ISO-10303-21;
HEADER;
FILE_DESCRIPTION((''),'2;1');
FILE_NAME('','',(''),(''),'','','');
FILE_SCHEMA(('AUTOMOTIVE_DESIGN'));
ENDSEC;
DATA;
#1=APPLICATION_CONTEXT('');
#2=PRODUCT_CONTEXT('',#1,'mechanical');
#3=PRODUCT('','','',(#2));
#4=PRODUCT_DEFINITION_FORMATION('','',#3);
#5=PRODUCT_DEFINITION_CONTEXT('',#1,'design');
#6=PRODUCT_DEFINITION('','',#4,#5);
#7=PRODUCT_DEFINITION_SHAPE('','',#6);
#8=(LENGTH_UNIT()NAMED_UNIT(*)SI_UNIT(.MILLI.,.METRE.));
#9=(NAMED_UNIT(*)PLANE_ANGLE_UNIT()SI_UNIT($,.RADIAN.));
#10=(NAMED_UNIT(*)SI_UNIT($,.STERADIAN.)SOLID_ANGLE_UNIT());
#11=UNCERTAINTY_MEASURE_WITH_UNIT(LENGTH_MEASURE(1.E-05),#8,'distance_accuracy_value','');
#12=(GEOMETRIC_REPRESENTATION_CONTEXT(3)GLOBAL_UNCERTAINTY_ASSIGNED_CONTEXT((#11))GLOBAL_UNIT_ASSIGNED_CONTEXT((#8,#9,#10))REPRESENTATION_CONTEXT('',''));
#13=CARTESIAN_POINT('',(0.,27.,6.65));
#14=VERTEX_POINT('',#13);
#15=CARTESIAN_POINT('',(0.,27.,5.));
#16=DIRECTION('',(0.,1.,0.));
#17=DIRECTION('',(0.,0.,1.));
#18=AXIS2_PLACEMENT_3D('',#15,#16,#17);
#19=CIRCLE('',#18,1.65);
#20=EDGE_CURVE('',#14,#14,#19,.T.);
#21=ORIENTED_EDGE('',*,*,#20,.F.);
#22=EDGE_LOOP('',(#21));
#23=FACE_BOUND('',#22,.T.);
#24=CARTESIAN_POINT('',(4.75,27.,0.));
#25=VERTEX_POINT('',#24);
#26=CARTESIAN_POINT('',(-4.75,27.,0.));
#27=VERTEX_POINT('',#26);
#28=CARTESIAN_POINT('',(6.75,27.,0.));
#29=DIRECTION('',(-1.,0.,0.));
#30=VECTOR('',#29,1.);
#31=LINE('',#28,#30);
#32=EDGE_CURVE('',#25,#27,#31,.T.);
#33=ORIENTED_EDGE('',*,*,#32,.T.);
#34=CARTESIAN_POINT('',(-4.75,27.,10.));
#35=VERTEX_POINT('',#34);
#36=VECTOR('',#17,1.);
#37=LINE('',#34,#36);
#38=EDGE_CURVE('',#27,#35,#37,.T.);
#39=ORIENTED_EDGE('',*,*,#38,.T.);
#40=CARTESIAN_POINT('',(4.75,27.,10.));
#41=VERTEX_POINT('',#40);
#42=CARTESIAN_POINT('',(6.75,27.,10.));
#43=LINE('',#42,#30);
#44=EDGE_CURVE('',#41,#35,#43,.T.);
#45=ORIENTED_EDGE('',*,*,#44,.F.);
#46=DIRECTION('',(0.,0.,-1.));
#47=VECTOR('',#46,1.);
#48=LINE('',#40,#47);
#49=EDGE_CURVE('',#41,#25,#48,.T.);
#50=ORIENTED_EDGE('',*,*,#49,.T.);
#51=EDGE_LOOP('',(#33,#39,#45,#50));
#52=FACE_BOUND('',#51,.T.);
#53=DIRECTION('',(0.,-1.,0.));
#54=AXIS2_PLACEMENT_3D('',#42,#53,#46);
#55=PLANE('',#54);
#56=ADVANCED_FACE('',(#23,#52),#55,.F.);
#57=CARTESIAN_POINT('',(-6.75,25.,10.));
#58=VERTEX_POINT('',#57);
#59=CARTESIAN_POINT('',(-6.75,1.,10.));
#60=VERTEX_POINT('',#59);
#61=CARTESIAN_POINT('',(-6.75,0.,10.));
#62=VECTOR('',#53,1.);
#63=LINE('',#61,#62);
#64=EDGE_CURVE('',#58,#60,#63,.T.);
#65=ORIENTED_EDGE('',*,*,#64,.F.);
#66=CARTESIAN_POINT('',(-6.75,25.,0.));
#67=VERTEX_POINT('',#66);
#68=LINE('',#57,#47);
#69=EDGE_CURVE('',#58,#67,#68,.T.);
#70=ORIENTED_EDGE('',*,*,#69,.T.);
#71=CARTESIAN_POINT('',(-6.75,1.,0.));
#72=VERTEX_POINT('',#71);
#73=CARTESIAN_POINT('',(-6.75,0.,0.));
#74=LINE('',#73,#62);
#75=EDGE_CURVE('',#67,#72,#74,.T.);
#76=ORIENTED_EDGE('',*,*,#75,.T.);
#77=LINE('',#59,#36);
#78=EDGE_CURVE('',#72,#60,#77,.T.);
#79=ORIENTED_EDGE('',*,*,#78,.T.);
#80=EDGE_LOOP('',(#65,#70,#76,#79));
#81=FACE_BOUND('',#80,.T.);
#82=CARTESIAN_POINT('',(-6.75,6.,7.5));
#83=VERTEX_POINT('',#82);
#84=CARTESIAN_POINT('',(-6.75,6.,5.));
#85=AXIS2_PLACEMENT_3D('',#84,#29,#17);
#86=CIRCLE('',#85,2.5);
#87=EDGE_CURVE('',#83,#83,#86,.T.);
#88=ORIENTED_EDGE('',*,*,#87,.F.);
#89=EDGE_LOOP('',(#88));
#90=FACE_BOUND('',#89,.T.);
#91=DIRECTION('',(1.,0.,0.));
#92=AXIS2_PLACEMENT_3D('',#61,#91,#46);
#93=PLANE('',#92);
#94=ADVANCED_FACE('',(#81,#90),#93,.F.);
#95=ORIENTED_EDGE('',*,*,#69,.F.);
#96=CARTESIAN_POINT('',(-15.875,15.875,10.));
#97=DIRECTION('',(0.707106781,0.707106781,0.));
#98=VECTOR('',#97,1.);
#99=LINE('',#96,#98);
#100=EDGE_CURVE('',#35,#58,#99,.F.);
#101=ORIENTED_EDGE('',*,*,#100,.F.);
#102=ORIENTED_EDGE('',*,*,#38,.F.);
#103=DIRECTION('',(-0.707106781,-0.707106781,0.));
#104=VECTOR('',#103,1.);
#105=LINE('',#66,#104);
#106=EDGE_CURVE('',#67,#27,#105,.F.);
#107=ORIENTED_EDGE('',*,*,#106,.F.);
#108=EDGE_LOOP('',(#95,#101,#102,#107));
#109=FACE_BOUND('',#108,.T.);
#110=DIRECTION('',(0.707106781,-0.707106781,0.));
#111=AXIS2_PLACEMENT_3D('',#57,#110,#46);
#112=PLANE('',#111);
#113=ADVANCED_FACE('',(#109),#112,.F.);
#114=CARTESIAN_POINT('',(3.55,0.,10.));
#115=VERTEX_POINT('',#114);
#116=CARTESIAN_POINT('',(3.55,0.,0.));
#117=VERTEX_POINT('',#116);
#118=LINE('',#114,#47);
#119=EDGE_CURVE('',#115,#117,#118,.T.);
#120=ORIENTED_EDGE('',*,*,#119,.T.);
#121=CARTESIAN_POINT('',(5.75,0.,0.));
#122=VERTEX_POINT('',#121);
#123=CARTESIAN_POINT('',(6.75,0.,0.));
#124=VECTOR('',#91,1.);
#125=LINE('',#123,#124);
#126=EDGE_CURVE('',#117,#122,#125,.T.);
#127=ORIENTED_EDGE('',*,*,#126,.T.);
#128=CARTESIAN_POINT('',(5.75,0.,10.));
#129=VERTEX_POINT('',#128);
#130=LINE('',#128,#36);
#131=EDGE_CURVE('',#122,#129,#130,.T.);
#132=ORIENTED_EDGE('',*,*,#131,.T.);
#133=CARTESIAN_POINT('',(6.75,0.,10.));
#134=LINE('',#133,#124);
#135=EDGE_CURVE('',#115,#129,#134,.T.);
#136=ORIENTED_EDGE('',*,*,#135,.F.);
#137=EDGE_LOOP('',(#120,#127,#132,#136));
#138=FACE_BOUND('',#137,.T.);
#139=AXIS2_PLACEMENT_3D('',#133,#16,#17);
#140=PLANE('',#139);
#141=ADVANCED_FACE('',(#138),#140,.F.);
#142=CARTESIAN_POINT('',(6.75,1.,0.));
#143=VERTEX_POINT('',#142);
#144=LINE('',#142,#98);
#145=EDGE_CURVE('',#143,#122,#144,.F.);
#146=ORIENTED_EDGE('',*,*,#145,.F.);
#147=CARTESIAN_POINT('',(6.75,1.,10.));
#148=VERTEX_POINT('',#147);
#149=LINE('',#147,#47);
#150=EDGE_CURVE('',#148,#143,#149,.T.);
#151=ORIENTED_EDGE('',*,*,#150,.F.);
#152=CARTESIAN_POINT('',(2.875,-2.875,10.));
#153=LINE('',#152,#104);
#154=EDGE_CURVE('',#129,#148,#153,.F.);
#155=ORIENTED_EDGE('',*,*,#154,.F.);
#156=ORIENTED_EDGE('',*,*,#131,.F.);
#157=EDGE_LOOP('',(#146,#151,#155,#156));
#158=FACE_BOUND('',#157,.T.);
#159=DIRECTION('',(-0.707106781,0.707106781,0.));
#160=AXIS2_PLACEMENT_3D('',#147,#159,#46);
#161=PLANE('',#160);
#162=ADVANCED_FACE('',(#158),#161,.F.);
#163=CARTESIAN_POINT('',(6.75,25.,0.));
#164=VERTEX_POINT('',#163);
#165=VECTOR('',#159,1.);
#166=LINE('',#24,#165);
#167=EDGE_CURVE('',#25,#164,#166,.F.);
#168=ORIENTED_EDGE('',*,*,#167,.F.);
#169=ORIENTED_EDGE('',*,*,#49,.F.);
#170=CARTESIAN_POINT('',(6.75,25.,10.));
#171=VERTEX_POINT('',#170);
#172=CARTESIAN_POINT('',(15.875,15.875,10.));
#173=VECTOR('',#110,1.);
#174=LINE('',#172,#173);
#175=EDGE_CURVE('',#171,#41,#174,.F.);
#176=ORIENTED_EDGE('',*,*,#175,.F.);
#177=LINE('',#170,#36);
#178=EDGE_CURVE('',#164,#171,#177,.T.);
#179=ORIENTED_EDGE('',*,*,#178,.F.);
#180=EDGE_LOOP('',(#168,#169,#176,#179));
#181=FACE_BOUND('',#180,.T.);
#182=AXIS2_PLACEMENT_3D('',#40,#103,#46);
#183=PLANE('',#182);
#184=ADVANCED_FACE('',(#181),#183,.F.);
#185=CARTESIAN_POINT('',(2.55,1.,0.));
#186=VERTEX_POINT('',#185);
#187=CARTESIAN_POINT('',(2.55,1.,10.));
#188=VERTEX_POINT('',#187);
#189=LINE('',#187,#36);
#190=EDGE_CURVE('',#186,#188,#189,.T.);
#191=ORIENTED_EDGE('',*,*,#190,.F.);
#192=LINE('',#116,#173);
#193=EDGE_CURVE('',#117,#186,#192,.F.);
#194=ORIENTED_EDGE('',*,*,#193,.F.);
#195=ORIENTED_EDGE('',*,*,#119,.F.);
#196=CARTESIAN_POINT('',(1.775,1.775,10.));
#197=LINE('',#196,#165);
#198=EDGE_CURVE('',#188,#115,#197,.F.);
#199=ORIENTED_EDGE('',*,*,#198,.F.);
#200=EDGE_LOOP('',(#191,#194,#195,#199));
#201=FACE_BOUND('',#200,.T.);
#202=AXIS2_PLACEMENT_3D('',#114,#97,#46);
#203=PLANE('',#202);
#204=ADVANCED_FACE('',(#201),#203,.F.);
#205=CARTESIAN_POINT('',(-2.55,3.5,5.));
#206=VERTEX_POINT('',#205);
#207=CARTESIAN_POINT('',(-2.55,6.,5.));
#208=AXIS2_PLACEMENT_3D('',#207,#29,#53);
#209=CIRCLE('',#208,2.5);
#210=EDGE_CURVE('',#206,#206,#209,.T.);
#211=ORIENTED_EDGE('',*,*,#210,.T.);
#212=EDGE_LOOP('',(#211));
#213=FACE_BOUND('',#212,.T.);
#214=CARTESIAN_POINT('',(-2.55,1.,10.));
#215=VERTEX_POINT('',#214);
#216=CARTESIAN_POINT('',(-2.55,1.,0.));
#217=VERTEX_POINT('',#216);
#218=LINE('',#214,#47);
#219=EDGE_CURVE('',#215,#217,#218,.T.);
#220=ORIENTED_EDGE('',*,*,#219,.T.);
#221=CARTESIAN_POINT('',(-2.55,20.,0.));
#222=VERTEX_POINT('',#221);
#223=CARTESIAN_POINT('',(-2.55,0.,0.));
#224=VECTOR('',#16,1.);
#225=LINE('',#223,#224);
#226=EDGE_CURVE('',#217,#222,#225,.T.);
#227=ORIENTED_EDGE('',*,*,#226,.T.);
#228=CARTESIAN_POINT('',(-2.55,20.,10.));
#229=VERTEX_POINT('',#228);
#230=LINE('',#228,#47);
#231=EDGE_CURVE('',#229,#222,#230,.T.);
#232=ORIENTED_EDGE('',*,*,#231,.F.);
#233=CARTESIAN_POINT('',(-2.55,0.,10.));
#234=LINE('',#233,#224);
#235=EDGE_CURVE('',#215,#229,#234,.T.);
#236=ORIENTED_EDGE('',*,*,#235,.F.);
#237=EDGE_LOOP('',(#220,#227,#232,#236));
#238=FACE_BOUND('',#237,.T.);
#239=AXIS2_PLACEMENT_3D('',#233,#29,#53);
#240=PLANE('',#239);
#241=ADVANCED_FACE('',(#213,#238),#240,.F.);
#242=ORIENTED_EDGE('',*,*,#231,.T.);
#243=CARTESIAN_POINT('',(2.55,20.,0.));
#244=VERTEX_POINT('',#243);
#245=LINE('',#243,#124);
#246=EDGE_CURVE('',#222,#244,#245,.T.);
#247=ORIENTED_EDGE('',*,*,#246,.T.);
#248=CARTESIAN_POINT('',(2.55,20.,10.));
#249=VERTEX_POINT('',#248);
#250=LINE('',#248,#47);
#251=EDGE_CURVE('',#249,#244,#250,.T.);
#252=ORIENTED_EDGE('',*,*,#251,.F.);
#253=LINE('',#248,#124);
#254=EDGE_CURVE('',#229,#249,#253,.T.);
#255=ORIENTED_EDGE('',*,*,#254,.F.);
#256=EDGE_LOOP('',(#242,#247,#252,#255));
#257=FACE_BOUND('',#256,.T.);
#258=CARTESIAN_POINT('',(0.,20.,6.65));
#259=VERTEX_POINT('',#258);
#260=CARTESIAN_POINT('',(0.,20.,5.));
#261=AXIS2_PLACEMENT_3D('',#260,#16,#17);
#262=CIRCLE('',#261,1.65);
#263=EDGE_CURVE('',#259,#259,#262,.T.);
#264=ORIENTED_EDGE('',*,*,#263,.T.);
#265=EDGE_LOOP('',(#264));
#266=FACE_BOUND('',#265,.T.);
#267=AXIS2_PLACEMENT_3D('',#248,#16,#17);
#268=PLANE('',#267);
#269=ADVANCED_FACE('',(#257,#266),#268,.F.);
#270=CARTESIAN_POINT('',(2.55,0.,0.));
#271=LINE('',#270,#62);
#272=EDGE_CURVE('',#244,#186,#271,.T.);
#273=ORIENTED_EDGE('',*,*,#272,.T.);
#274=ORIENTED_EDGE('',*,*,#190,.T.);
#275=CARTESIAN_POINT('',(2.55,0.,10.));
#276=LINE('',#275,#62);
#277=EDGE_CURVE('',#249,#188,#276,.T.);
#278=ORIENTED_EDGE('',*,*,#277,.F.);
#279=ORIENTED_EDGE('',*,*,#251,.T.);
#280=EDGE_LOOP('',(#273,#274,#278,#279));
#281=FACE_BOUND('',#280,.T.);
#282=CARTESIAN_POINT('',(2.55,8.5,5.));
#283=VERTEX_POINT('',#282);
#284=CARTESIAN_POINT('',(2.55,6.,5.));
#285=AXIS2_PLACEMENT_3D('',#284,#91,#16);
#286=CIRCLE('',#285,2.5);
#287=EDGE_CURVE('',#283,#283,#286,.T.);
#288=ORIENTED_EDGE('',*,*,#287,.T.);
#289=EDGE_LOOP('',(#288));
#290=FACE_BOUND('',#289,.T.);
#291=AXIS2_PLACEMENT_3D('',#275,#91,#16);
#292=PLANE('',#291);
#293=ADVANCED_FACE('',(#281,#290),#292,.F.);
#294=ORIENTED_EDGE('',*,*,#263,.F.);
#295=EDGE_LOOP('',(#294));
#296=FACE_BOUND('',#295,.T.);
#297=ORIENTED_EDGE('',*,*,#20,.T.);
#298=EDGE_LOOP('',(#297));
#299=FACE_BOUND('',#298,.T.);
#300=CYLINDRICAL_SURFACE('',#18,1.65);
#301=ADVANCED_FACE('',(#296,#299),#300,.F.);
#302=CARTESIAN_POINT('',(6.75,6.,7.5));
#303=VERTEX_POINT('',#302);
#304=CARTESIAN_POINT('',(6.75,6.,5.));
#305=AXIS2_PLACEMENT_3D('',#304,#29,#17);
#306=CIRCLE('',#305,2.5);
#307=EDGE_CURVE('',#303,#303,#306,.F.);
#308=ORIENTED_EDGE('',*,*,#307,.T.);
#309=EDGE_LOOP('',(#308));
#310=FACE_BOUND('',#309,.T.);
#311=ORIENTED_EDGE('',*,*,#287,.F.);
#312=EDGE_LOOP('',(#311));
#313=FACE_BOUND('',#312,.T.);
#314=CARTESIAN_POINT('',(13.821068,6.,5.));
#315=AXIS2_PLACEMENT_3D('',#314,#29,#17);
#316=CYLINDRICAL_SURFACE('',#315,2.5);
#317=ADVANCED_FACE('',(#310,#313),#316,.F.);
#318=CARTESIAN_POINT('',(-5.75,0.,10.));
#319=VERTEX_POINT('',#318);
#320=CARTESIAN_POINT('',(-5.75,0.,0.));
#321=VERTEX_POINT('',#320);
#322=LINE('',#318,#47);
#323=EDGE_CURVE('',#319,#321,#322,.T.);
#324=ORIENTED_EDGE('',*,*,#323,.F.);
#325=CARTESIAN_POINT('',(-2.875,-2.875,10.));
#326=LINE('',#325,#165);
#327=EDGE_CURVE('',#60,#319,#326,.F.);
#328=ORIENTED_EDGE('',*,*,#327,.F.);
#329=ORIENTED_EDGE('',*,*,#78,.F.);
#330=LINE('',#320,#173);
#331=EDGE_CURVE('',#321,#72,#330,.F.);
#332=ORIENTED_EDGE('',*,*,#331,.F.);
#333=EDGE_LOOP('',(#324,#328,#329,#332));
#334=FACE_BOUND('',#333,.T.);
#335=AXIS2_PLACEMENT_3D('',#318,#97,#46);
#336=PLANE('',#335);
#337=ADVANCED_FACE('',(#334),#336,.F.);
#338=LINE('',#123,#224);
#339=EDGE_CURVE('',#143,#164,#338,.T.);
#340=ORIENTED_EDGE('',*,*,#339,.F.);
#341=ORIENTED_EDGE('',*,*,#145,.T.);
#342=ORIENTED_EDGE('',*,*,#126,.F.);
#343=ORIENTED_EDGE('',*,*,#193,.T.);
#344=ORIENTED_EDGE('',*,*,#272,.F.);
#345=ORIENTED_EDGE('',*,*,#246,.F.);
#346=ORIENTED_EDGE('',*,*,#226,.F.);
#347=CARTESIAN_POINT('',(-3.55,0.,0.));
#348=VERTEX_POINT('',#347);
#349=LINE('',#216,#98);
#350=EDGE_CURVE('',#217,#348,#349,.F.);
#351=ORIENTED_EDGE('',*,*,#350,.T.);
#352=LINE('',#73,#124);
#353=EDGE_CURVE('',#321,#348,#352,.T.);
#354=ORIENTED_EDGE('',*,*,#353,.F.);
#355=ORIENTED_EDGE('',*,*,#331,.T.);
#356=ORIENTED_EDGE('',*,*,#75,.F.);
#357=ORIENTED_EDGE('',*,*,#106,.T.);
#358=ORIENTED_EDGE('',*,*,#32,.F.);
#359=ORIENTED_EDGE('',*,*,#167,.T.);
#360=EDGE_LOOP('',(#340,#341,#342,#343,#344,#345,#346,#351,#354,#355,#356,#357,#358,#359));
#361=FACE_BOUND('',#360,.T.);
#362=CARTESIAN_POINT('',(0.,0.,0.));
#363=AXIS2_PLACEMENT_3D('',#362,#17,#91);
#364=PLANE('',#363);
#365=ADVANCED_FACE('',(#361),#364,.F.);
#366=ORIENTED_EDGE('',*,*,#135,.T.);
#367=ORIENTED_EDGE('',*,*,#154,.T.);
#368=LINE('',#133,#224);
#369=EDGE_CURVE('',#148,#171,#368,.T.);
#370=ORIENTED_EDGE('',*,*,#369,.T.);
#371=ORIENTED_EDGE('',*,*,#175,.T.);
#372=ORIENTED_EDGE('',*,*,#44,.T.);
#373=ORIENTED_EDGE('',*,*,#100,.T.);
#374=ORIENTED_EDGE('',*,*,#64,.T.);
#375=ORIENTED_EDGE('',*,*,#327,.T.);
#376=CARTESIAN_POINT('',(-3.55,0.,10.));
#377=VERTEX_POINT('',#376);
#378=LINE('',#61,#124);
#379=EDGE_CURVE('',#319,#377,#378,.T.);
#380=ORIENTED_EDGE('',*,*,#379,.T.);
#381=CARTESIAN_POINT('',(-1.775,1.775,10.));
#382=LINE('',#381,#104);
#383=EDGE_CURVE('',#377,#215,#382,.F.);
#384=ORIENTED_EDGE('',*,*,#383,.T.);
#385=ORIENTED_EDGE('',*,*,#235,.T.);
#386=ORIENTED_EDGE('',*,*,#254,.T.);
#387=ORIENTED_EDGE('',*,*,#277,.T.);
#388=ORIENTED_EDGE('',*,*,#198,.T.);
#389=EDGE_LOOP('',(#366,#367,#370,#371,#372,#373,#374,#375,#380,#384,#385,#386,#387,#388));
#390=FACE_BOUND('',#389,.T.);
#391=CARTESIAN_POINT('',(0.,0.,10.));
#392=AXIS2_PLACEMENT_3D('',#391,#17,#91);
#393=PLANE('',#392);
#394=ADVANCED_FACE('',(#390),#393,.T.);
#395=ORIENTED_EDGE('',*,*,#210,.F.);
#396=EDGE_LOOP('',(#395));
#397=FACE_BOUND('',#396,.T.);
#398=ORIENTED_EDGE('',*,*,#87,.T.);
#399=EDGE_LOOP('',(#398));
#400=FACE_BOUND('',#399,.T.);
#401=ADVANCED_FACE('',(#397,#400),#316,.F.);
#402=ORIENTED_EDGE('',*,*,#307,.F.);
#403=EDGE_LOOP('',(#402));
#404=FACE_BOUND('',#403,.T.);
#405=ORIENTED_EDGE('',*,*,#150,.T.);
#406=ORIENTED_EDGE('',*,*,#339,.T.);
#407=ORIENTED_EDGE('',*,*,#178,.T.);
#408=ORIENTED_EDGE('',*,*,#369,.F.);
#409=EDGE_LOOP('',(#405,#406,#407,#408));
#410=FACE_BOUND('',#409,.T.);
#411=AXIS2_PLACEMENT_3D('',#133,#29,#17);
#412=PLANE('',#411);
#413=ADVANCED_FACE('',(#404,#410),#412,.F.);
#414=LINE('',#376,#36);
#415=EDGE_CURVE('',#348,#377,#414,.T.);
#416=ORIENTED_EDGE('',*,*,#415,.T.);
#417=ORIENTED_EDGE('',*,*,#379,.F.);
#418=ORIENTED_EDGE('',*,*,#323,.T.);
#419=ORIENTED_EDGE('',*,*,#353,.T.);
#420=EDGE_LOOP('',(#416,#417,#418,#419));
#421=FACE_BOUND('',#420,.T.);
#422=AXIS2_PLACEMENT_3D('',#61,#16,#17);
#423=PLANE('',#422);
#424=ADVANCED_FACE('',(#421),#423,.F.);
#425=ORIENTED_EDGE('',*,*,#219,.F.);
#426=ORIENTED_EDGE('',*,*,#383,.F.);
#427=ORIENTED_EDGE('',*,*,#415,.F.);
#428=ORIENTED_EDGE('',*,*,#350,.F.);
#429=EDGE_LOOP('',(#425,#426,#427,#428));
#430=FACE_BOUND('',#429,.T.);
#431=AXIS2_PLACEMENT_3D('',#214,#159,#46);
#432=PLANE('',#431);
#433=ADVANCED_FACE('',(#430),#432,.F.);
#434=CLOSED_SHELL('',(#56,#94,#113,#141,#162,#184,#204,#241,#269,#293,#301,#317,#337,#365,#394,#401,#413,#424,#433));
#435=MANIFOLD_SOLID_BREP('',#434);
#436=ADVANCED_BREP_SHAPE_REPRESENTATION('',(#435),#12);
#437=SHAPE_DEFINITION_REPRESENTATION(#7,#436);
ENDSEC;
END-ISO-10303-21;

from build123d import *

# Parameters (mm, degrees)
EXTRUDE_1_DEPTH     = 10
SKETCH_2_R          = 2.5
CUT_EXTRUDE_1_DEPTH = 13.5
HOLE_WIZARD_M4_1_D  = 3.3
CHAMFER_1_SIZE      = 1
CHAMFER_2_SIZE      = 2


with BuildPart() as part:
    # 草图1 → 凸台-拉伸1 (new body)
    with BuildSketch(Plane.XY):
        Polygon((6.75, 0), (6.75, 27), (-6.75, 27), (-6.75, 0), (-2.55, 0), (-2.55, 20), (2.55, 20), (2.55, 0), align=None)
    extrude(amount=EXTRUDE_1_DEPTH)

    # 草图2 → 切除-拉伸1 (cut)
    with BuildSketch(Plane.ZY.offset(6.75)):
        with Locations((5, 6)):
            Circle(SKETCH_2_R)
    extrude(amount=-CUT_EXTRUDE_1_DEPTH, mode=Mode.SUBTRACT)

    # M4 螺纹孔1 (through all)
    with Locations(Plane(origin=(0, 27, 0), x_dir=(1, 0, 0), z_dir=(0, 1, 0))):
        with Locations((0, -5)):
            Hole(HOLE_WIZARD_M4_1_D / 2)

    # 倒角1
    chamfer_1_edges = [part.edges().sort_by_distance(p)[0] for p in [
        (6.75, 0, 5),
        (2.55, 0, 5),
        (-2.55, 0, 5),
        (-6.75, 0, 5),
    ]]
    chamfer(chamfer_1_edges, length=CHAMFER_1_SIZE)

    # 倒角2
    chamfer_2_edges = [part.edges().sort_by_distance(p)[0] for p in [
        (-6.75, 27, 5),
        (6.75, 27, 5),
    ]]
    chamfer(chamfer_2_edges, length=CHAMFER_2_SIZE)


solid = part.part
